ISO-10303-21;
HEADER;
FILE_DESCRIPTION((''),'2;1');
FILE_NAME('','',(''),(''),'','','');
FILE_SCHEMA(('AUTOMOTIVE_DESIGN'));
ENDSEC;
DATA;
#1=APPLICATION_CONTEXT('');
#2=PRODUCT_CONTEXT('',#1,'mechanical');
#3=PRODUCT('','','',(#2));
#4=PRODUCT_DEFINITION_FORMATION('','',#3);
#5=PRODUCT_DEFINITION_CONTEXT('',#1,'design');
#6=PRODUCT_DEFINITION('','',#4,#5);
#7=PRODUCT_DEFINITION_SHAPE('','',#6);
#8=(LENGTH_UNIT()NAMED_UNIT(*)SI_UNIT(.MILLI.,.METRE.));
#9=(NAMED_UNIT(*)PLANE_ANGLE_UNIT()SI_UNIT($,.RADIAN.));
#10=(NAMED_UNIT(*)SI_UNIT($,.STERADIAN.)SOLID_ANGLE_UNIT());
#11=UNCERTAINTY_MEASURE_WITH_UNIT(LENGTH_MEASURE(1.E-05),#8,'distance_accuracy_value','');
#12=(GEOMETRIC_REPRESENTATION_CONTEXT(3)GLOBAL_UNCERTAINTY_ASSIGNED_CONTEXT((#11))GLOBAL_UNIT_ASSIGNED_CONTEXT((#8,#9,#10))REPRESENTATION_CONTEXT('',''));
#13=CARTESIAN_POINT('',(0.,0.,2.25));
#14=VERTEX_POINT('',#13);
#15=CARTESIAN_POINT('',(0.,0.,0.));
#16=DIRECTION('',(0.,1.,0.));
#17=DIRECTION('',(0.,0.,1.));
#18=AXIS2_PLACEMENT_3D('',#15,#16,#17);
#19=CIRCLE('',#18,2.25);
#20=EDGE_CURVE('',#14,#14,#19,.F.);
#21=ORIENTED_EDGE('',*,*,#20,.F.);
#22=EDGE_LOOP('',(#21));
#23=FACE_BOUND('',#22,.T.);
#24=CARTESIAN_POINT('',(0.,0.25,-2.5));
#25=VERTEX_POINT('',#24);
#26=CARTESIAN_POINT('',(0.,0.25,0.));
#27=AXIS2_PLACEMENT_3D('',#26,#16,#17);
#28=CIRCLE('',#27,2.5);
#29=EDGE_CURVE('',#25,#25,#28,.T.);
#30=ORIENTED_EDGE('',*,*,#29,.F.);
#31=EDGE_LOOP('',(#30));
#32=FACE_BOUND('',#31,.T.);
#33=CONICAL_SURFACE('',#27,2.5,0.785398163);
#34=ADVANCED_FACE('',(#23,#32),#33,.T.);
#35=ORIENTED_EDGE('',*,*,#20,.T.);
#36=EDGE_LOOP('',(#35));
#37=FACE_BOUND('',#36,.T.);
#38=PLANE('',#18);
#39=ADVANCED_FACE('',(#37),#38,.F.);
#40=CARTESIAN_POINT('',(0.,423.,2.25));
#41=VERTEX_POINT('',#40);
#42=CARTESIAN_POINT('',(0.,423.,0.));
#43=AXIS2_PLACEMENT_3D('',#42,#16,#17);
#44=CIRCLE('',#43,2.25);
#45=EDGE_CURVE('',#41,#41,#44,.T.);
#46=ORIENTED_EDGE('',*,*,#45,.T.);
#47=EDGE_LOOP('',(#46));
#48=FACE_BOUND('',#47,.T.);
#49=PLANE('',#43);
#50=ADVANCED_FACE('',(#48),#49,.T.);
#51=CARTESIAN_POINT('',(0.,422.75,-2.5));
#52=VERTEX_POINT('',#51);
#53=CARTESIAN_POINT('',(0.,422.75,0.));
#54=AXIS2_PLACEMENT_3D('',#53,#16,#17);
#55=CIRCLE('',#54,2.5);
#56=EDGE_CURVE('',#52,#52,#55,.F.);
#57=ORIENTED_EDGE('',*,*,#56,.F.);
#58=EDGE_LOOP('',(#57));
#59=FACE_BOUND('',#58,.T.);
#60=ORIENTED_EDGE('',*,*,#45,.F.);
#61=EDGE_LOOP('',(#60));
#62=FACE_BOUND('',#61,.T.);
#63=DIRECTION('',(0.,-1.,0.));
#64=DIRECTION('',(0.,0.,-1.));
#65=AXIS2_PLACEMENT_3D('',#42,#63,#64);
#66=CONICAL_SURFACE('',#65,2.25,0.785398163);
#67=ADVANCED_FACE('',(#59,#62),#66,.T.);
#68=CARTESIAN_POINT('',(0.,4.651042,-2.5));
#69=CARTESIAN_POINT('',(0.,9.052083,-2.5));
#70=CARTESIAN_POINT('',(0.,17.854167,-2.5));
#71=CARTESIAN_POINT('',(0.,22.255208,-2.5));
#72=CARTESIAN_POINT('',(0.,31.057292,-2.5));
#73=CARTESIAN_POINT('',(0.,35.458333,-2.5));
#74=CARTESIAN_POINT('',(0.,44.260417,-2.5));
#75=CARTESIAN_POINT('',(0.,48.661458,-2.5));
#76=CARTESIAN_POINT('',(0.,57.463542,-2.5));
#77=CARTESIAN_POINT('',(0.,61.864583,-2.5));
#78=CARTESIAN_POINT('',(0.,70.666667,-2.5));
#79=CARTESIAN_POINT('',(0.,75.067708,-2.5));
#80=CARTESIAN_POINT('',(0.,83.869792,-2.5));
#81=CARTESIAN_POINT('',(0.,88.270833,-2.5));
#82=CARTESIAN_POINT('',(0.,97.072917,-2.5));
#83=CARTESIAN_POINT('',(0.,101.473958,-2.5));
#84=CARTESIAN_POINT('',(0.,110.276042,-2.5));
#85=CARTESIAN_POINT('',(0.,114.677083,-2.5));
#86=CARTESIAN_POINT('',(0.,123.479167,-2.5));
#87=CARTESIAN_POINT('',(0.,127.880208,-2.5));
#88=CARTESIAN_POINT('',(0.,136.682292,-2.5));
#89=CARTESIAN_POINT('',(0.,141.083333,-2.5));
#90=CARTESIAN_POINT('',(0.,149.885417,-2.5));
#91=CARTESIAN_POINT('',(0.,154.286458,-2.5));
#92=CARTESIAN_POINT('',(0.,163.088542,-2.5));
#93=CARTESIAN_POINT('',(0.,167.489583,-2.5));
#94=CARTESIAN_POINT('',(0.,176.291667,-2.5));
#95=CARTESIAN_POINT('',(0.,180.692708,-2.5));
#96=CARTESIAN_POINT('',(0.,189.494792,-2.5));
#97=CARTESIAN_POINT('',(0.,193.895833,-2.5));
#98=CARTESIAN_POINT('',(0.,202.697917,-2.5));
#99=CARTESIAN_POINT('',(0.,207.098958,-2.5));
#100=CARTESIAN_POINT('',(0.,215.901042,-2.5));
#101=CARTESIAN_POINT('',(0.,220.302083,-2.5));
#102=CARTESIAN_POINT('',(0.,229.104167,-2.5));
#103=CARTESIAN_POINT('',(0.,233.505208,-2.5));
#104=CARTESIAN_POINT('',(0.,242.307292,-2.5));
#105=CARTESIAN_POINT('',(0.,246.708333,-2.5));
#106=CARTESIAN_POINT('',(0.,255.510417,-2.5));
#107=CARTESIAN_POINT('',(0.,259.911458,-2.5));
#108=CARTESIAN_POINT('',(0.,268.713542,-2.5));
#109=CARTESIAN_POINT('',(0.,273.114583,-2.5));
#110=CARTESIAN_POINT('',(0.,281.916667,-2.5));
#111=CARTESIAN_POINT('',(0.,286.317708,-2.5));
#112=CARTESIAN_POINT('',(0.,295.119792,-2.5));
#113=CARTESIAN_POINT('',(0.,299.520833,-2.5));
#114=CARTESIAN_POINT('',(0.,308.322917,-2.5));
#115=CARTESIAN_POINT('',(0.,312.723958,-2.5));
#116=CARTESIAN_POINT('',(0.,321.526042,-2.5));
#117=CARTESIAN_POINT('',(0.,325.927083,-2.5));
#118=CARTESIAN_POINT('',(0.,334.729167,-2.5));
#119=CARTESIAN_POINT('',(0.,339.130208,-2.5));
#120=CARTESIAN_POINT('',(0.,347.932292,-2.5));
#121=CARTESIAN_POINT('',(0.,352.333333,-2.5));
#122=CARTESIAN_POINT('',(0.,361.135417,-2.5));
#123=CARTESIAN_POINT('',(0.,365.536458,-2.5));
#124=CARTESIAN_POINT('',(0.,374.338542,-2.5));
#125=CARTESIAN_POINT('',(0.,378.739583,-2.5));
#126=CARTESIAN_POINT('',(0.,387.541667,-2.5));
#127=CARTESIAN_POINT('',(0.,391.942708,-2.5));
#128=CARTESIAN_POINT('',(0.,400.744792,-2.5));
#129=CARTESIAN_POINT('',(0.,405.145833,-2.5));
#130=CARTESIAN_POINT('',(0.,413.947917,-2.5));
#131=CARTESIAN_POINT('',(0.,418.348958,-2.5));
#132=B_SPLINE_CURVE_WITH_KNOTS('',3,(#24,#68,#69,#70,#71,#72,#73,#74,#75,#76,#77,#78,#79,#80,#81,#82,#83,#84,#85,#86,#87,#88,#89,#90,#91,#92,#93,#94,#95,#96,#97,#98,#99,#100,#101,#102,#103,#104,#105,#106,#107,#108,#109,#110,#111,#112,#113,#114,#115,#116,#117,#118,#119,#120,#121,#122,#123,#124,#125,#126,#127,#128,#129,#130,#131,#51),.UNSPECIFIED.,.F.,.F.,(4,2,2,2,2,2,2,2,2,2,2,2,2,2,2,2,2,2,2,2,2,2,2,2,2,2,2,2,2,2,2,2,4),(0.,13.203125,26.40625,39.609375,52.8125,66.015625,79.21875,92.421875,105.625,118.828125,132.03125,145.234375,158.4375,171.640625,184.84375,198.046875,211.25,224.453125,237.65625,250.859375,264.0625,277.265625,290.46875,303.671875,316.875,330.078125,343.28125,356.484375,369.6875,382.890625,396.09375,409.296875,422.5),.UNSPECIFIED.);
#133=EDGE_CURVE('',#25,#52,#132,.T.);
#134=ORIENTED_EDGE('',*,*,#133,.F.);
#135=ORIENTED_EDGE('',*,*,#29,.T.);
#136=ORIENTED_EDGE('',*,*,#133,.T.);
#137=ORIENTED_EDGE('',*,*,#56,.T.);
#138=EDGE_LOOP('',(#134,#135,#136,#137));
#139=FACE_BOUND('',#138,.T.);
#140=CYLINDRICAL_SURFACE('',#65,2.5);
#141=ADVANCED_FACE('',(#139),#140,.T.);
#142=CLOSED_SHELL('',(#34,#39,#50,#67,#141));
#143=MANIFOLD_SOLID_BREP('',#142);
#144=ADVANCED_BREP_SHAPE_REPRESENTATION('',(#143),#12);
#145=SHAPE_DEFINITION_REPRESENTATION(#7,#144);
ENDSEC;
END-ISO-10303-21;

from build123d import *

# Parameters (mm, degrees)
SZKIC1_R                    = 2.5
DODANIE_WYCI_GNI_CIE1_DEPTH = 423
SFAZOWANIE1_SIZE            = 0.25


with BuildPart() as part:
    # Szkic1 → Dodanie-wyciągnięcie1 (new body)
    with BuildSketch(Plane(origin=(0, 0, 0), x_dir=(1, 0, 0), z_dir=(0, 1, 0))):
        with Locations(Location((0, 0, 0), (0, 0, 90))):
            Circle(SZKIC1_R)
    extrude(amount=DODANIE_WYCI_GNI_CIE1_DEPTH)

    # Sfazowanie1
    sfazowanie1_edges = [part.edges().sort_by_distance(p)[0] for p in [
        (0, 0, 2.5),
        (0, 423, 2.5),
    ]]
    chamfer(sfazowanie1_edges, length=SFAZOWANIE1_SIZE)


solid = part.part
